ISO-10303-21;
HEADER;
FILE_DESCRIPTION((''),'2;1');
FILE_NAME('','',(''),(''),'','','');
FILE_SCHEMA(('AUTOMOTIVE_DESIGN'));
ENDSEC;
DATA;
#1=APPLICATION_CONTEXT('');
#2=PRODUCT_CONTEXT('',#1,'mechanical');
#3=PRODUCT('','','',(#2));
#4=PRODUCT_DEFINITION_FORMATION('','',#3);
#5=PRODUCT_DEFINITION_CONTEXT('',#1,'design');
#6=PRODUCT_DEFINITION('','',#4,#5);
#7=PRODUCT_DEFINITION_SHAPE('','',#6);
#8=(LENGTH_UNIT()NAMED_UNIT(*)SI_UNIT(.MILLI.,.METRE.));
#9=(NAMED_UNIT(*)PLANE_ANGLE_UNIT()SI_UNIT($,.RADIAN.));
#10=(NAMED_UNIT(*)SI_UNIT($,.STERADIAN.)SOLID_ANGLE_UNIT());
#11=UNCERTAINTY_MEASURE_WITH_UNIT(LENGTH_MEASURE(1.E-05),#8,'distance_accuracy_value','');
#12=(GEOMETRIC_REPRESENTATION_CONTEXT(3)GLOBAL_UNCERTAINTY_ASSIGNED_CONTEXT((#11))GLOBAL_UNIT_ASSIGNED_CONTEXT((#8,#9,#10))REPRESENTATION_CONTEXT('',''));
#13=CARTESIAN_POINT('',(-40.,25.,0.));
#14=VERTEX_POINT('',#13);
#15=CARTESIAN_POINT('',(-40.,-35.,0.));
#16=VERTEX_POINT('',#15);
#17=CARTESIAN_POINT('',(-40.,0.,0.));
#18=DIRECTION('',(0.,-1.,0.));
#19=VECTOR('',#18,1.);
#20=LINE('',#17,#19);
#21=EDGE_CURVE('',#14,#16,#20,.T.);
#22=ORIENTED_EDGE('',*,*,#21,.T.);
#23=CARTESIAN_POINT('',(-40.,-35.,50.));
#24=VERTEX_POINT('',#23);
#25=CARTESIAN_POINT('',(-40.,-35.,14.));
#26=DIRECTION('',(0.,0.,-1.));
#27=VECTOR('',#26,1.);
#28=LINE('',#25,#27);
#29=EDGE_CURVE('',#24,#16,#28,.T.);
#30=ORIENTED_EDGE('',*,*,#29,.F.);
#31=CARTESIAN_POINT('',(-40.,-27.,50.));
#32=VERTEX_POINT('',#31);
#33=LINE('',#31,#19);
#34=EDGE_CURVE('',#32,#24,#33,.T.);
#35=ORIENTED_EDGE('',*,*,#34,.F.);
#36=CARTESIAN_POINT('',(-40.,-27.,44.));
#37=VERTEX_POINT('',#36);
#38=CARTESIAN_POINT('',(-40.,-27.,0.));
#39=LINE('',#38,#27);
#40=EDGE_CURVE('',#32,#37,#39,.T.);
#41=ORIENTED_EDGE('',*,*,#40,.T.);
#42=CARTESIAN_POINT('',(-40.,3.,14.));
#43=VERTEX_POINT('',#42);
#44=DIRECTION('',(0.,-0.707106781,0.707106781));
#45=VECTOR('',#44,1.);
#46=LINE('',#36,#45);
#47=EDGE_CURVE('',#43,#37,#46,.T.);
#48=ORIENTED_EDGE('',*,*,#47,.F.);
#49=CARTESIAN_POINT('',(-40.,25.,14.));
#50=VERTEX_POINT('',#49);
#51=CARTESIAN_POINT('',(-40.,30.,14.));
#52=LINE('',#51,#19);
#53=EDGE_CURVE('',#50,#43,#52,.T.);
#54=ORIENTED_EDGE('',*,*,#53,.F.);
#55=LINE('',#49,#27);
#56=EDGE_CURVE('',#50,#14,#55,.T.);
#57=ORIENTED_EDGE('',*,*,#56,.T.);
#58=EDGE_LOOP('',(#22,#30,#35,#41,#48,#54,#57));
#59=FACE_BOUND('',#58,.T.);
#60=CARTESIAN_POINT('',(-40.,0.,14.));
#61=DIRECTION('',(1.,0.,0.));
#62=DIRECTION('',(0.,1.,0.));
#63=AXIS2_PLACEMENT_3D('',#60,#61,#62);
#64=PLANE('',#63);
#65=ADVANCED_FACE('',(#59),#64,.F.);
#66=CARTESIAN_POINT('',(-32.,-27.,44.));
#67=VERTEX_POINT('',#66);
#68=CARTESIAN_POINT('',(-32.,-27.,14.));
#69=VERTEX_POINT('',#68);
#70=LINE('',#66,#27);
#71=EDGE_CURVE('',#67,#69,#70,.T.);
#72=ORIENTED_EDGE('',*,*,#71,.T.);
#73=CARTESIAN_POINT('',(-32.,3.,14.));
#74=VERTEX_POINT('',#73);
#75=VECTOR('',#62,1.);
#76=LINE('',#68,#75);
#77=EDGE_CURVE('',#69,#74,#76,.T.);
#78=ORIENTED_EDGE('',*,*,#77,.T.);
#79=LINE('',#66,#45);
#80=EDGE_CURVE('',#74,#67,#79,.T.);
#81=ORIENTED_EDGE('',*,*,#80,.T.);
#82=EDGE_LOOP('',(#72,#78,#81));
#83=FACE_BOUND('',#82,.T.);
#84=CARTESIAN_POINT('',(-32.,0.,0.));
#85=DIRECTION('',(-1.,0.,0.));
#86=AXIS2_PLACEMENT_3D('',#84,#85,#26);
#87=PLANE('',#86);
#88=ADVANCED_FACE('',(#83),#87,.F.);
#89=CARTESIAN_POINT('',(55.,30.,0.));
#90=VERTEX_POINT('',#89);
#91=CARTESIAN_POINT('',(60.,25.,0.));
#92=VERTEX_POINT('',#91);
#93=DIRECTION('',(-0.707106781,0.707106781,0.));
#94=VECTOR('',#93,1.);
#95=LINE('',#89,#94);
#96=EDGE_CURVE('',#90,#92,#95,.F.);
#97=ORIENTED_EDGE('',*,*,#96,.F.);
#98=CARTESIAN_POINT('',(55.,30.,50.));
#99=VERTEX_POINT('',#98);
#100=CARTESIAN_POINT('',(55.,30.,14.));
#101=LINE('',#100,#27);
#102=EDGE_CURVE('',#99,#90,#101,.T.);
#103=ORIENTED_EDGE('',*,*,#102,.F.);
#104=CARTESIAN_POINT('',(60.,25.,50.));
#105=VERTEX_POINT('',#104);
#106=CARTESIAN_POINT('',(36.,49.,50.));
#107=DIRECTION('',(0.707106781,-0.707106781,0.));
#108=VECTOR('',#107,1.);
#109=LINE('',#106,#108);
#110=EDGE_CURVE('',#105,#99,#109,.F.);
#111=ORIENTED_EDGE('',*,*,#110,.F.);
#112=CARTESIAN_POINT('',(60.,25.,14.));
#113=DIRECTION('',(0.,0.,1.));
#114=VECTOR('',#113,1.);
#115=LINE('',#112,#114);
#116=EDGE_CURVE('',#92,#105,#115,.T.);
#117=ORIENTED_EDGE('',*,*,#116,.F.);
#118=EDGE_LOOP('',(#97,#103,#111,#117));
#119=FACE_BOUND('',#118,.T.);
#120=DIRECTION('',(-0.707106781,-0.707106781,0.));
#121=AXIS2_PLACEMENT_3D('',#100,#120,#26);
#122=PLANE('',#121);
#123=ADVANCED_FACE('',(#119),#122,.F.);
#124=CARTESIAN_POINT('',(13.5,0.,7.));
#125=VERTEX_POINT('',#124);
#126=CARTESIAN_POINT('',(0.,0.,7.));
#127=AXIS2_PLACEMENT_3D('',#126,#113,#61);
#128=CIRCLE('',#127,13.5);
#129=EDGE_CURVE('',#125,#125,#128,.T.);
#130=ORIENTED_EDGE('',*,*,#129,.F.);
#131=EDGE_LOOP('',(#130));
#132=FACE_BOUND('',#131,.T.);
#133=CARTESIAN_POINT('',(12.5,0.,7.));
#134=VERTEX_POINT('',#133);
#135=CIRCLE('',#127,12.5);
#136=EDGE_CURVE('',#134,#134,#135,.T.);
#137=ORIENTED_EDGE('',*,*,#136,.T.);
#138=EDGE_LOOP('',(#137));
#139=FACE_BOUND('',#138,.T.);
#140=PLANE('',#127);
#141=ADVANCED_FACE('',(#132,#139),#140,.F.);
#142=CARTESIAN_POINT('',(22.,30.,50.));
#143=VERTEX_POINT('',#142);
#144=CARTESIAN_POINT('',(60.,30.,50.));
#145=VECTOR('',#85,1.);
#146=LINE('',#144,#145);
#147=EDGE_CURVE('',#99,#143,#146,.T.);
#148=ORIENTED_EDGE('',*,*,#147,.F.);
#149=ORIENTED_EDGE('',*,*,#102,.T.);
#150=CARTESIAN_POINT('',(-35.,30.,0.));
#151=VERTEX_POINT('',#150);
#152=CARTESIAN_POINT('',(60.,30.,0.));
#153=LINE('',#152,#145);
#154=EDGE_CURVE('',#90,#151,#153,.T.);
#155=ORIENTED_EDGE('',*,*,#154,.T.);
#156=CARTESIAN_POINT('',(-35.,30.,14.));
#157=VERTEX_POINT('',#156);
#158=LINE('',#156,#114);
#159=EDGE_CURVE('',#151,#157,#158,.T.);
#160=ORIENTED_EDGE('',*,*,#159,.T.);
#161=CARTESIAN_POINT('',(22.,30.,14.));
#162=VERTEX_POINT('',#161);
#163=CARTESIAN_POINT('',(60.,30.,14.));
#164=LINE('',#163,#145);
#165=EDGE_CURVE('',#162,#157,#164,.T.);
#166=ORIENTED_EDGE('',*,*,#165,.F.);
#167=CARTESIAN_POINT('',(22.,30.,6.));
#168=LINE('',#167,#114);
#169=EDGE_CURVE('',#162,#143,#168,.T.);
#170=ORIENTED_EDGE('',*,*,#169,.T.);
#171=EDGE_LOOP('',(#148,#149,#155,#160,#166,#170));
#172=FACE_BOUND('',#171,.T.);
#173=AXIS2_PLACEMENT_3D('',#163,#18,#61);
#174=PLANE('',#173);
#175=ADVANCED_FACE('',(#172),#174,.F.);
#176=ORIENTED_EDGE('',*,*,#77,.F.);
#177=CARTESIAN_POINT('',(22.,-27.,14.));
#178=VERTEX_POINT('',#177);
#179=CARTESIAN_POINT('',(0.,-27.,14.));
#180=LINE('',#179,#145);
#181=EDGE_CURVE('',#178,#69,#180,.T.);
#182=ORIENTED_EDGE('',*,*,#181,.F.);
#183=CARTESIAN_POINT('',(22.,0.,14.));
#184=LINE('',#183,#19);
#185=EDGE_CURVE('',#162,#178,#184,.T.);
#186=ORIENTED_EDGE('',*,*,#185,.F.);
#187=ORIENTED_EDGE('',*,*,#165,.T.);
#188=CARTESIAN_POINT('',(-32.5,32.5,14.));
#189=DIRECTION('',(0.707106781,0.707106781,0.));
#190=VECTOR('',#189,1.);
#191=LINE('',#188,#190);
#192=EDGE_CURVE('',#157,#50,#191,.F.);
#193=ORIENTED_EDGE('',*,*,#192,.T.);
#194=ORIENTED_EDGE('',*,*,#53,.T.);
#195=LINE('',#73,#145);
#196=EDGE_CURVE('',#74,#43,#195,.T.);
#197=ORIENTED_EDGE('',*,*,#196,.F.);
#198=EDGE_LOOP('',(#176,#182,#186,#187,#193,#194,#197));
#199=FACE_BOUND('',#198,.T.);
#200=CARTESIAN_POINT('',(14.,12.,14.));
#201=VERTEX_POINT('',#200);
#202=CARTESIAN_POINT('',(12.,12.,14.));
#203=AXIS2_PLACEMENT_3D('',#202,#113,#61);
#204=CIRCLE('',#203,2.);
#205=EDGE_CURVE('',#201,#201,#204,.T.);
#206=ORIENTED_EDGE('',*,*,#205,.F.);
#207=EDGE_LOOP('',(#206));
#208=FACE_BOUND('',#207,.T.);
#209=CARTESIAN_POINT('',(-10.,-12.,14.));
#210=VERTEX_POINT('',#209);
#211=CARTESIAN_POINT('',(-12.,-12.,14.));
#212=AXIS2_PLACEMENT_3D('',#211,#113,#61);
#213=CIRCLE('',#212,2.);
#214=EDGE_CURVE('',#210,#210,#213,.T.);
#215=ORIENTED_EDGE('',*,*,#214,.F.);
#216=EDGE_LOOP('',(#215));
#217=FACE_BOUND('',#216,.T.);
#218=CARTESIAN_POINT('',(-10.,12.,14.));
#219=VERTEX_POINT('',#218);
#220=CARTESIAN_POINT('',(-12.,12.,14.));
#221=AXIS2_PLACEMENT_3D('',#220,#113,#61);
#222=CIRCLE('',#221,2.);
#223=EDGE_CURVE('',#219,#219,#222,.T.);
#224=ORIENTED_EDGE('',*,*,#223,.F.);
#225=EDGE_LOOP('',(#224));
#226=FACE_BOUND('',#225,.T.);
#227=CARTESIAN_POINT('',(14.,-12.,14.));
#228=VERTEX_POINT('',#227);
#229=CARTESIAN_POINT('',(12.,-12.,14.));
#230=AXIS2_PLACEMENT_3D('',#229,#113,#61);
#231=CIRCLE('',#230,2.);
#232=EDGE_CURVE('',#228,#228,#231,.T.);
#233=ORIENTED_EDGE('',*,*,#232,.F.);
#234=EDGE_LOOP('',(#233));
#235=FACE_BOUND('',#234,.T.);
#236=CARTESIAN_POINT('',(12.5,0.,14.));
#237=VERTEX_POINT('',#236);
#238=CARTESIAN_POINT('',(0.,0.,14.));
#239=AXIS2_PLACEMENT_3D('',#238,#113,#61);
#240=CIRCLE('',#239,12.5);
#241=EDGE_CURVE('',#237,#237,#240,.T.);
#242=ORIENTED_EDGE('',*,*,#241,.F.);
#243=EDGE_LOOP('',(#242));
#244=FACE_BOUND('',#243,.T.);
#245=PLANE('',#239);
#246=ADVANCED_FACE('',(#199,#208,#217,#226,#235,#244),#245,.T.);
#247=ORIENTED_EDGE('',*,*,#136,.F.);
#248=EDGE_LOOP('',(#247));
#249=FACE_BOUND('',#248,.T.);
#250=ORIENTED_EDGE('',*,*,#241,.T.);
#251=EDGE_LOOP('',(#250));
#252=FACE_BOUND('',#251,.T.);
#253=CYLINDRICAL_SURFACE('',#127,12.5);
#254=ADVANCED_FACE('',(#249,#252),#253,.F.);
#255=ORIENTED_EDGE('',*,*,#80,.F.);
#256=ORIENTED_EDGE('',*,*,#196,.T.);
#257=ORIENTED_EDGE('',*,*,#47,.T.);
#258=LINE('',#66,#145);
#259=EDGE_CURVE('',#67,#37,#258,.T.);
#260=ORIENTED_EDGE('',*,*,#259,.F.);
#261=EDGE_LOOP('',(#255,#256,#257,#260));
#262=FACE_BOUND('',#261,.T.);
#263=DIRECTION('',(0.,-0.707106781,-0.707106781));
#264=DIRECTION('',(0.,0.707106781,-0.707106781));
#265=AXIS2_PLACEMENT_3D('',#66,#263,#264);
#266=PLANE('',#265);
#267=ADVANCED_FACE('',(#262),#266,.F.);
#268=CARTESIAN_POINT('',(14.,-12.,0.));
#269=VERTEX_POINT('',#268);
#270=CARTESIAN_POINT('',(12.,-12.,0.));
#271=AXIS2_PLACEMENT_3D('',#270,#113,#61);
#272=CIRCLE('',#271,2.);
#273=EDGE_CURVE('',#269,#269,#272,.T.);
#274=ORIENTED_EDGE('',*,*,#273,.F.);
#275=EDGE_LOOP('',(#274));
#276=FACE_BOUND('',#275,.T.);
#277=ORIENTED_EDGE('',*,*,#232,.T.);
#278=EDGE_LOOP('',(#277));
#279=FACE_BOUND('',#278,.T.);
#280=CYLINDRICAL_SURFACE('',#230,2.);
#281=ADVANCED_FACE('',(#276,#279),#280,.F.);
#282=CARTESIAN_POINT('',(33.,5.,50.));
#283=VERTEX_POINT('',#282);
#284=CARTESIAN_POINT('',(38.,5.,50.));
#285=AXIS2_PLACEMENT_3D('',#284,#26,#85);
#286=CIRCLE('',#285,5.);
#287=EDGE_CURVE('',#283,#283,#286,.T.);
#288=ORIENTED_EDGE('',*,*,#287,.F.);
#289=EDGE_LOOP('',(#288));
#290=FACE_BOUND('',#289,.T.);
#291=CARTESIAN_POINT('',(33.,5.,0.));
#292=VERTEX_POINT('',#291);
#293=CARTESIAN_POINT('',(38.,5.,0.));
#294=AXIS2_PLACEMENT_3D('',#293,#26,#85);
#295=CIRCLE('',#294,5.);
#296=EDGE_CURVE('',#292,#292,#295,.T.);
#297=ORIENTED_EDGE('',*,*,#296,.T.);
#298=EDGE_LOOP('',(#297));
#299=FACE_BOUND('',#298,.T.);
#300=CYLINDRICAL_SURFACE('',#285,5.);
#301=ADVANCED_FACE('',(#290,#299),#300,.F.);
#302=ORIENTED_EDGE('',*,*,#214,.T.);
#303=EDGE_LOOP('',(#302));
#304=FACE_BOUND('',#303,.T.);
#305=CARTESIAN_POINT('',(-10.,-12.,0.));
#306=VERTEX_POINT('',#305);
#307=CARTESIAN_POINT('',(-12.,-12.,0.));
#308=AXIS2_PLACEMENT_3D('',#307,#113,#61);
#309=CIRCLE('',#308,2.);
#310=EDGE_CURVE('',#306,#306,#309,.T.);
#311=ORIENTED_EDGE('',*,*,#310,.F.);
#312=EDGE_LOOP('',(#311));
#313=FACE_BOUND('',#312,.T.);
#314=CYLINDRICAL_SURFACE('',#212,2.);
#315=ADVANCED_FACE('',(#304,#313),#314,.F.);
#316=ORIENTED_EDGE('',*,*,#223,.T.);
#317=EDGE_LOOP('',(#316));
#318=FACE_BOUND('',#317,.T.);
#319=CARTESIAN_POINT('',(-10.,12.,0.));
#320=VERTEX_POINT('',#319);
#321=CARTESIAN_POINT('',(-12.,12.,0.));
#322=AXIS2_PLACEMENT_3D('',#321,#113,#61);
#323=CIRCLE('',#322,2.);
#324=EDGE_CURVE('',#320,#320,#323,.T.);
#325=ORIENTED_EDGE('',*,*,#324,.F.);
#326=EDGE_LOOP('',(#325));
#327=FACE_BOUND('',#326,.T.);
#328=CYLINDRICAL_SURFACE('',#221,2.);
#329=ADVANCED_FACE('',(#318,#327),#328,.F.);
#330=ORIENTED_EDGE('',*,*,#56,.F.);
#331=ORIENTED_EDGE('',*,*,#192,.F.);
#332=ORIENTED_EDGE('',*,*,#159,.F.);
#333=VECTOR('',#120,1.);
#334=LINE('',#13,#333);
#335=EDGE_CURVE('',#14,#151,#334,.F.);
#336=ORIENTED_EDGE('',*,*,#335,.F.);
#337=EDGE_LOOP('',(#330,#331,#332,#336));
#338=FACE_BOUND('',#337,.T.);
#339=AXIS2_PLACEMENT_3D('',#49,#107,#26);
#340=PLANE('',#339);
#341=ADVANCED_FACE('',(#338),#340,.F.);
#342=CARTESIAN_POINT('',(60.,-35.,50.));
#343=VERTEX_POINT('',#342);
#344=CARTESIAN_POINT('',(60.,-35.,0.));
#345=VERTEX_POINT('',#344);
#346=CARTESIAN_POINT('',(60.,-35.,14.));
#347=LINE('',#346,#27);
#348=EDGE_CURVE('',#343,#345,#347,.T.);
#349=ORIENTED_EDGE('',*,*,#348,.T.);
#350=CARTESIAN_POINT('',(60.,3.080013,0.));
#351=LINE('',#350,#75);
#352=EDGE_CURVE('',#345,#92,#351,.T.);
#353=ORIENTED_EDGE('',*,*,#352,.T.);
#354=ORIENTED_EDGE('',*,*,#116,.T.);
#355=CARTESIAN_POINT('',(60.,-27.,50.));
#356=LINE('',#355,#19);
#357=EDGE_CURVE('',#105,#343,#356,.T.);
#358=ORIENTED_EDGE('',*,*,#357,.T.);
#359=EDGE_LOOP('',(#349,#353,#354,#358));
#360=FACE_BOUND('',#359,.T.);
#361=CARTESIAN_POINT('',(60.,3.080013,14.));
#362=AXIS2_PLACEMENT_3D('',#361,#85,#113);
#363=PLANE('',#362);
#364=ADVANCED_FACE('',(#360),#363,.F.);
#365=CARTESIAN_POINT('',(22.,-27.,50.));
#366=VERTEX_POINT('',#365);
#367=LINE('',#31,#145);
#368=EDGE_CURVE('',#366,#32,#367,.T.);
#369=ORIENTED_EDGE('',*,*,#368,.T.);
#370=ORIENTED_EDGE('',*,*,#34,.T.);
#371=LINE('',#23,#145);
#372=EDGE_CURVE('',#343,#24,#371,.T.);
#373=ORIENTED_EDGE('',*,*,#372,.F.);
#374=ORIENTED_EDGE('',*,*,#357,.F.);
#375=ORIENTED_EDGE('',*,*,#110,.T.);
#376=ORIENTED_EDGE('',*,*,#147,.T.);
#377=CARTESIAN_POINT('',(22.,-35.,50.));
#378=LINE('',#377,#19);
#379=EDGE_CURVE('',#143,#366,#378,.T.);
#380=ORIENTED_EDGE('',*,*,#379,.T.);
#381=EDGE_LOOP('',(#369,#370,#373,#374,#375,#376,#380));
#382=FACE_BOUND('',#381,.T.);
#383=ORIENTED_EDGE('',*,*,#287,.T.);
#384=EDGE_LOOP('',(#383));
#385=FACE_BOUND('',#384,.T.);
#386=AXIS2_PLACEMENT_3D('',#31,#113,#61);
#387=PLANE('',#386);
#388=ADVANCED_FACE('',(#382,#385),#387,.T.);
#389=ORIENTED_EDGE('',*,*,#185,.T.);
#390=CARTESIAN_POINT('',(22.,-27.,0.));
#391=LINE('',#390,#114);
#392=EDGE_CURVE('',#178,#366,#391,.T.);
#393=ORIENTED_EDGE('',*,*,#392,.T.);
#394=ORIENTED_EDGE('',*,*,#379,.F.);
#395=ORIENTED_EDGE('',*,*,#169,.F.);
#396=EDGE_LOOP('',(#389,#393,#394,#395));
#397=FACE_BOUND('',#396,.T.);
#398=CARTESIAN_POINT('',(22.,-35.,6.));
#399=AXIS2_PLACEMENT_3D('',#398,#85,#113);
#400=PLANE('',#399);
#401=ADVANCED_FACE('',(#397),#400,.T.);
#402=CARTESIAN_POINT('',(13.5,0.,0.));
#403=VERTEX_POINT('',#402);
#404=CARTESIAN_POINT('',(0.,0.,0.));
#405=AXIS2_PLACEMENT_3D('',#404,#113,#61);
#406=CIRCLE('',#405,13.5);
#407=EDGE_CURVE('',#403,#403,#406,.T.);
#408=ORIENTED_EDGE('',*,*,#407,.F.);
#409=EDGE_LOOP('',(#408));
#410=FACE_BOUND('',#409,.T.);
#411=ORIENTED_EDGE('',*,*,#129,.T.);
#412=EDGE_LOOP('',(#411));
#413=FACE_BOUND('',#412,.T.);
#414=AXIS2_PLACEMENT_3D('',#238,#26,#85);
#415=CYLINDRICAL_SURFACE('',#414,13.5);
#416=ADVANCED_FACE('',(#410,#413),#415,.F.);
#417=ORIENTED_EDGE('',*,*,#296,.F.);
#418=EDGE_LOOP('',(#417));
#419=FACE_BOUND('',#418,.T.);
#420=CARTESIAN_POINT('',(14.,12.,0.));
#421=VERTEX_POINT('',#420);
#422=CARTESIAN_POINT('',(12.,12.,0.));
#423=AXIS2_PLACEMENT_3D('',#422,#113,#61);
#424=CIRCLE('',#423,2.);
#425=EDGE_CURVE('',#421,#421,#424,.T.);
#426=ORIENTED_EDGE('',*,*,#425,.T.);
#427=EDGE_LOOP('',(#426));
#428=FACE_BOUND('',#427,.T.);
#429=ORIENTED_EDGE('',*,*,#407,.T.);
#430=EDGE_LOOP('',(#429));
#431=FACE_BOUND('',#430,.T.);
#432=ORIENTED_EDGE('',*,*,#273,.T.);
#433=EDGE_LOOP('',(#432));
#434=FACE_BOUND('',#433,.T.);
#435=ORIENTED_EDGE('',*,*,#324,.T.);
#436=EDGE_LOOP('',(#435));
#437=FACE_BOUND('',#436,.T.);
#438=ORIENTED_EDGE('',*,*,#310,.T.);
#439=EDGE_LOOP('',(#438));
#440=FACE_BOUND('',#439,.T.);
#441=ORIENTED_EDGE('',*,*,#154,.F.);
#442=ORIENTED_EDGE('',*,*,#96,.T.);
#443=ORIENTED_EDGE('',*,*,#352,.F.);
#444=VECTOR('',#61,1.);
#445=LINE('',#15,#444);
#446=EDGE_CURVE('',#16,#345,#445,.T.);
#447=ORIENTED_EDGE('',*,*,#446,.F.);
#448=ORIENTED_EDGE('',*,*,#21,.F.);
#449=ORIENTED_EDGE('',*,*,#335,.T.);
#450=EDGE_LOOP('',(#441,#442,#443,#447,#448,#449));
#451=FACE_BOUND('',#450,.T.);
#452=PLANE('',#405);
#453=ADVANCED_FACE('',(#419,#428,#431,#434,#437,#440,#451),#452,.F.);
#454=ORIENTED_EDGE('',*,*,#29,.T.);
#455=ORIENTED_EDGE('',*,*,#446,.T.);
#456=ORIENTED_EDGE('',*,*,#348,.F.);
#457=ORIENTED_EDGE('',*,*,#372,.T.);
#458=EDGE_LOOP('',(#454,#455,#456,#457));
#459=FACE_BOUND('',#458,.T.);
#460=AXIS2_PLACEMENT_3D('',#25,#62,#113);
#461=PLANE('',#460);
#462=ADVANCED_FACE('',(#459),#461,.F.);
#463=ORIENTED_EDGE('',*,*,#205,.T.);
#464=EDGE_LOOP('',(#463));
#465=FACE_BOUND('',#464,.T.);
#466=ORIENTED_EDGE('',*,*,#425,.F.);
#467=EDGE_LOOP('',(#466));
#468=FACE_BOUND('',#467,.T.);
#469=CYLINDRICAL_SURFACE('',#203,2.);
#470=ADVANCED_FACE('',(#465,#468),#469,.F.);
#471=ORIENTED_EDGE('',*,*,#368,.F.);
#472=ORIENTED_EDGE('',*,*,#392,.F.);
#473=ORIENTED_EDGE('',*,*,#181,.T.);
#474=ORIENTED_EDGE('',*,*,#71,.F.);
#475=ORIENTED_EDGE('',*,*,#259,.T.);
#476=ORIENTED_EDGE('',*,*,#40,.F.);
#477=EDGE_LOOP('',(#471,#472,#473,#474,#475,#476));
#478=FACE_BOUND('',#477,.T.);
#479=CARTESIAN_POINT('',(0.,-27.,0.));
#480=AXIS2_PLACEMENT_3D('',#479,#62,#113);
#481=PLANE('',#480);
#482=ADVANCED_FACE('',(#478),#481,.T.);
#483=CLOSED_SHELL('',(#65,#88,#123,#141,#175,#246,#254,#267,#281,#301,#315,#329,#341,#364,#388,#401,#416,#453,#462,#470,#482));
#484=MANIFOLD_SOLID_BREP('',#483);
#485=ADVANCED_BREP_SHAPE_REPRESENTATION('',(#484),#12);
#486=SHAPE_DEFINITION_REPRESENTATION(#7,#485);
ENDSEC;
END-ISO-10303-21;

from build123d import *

# Parameters (mm, degrees)
SKETCH1_R             = 13.5
BOSS_EXTRUDE1_DEPTH   = 14
BOSS_EXTRUDE2_START   = -7
SKETCH2_R             = 13.5
SKETCH2_R_2           = 12.5
BOSS_EXTRUDE2_DEPTH   = 7
F_4_0MM_DOWEL_HOLE1_D = 4
SKETCH16_W            = 100
SKETCH16_H            = 50
BOSS_EXTRUDE3_DEPTH   = 8
BOSS_EXTRUDE4_DEPTH   = 8
CHAMFER2_SIZE         = 5
SKETCH18_W            = 38
SKETCH18_H            = 65
BOSS_EXTRUDE5_DEPTH   = 44
SKETCH15_R            = 5
CUT_EXTRUDE1_DEPTH    = 86.586213843
CHAMFER3_SIZE         = 5


with BuildPart() as part:
    # Sketch1 → Boss-Extrude1 (new body)
    with BuildSketch(Plane.XY):
        Polygon((-40, 0), (-40, -35), (60, -35), (60, 3.080013472), (60, 30), (-40, 30), align=None)
        Circle(SKETCH1_R, mode=Mode.SUBTRACT)
    extrude(amount=BOSS_EXTRUDE1_DEPTH)

    # Sketch2 → Boss-Extrude2 (add)
    with BuildSketch(Plane.XY.offset(14).offset(BOSS_EXTRUDE2_START)):
        Circle(SKETCH2_R)
        Circle(SKETCH2_R_2, mode=Mode.SUBTRACT)
    extrude(amount=BOSS_EXTRUDE2_DEPTH)

    # Ø4.0mm Dowel Hole1 (through all)
    with Locations(Plane.XY.offset(14)):
        with Locations((-12, 12), (12, 12), (12, -12), (-12, -12)):
            Hole(F_4_0MM_DOWEL_HOLE1_D / 2)

    # Sketch16 → Boss-Extrude3 (add)
    with BuildSketch(Plane.XZ.offset(35)):
        with Locations((10, 25)):
            Rectangle(SKETCH16_W, SKETCH16_H)
    extrude(amount=-BOSS_EXTRUDE3_DEPTH)

    # Sketch17 → Boss-Extrude4 (add)
    with BuildSketch(Plane(origin=(60, 0, 0), x_dir=(0, 0, -1), z_dir=(1, 0, 0))):
        Polygon((-44, -27), (-14, 3), (-14, -27), align=None)
    boss_extrude4 = extrude(amount=-BOSS_EXTRUDE4_DEPTH)

    # Mirror1: Boss-Extrude4 across plane
    add(boss_extrude4.mirror(Plane(origin=(10, 0, 0), x_dir=(0, 0, 1), z_dir=(1, 0, 0))))

    # Chamfer2
    chamfer2_edges = [part.edges().sort_by_distance(p)[0] for p in [
        (-40, 30, 7),
    ]]
    chamfer(chamfer2_edges, length=CHAMFER2_SIZE)

    # Sketch18 → Boss-Extrude5 (add)
    with BuildSketch(Plane.XY.offset(50)):
        with Locations((41, -2.5)):
            Rectangle(SKETCH18_W, SKETCH18_H)
    extrude(amount=-BOSS_EXTRUDE5_DEPTH)

    # Sketch15 → Cut-Extrude1 (cut, through all)
    with BuildSketch(Plane(origin=(0, 0, 0), x_dir=(-1, 0, 0), z_dir=(0, 0, -1))):
        with Locations((-38, 5)):
            Circle(SKETCH15_R)
    extrude(amount=-CUT_EXTRUDE1_DEPTH, mode=Mode.SUBTRACT)

    # Chamfer3
    chamfer3_edges = [part.edges().sort_by_distance(p)[0] for p in [
        (60, 30, 25),
    ]]
    chamfer(chamfer3_edges, length=CHAMFER3_SIZE)


solid = part.part
